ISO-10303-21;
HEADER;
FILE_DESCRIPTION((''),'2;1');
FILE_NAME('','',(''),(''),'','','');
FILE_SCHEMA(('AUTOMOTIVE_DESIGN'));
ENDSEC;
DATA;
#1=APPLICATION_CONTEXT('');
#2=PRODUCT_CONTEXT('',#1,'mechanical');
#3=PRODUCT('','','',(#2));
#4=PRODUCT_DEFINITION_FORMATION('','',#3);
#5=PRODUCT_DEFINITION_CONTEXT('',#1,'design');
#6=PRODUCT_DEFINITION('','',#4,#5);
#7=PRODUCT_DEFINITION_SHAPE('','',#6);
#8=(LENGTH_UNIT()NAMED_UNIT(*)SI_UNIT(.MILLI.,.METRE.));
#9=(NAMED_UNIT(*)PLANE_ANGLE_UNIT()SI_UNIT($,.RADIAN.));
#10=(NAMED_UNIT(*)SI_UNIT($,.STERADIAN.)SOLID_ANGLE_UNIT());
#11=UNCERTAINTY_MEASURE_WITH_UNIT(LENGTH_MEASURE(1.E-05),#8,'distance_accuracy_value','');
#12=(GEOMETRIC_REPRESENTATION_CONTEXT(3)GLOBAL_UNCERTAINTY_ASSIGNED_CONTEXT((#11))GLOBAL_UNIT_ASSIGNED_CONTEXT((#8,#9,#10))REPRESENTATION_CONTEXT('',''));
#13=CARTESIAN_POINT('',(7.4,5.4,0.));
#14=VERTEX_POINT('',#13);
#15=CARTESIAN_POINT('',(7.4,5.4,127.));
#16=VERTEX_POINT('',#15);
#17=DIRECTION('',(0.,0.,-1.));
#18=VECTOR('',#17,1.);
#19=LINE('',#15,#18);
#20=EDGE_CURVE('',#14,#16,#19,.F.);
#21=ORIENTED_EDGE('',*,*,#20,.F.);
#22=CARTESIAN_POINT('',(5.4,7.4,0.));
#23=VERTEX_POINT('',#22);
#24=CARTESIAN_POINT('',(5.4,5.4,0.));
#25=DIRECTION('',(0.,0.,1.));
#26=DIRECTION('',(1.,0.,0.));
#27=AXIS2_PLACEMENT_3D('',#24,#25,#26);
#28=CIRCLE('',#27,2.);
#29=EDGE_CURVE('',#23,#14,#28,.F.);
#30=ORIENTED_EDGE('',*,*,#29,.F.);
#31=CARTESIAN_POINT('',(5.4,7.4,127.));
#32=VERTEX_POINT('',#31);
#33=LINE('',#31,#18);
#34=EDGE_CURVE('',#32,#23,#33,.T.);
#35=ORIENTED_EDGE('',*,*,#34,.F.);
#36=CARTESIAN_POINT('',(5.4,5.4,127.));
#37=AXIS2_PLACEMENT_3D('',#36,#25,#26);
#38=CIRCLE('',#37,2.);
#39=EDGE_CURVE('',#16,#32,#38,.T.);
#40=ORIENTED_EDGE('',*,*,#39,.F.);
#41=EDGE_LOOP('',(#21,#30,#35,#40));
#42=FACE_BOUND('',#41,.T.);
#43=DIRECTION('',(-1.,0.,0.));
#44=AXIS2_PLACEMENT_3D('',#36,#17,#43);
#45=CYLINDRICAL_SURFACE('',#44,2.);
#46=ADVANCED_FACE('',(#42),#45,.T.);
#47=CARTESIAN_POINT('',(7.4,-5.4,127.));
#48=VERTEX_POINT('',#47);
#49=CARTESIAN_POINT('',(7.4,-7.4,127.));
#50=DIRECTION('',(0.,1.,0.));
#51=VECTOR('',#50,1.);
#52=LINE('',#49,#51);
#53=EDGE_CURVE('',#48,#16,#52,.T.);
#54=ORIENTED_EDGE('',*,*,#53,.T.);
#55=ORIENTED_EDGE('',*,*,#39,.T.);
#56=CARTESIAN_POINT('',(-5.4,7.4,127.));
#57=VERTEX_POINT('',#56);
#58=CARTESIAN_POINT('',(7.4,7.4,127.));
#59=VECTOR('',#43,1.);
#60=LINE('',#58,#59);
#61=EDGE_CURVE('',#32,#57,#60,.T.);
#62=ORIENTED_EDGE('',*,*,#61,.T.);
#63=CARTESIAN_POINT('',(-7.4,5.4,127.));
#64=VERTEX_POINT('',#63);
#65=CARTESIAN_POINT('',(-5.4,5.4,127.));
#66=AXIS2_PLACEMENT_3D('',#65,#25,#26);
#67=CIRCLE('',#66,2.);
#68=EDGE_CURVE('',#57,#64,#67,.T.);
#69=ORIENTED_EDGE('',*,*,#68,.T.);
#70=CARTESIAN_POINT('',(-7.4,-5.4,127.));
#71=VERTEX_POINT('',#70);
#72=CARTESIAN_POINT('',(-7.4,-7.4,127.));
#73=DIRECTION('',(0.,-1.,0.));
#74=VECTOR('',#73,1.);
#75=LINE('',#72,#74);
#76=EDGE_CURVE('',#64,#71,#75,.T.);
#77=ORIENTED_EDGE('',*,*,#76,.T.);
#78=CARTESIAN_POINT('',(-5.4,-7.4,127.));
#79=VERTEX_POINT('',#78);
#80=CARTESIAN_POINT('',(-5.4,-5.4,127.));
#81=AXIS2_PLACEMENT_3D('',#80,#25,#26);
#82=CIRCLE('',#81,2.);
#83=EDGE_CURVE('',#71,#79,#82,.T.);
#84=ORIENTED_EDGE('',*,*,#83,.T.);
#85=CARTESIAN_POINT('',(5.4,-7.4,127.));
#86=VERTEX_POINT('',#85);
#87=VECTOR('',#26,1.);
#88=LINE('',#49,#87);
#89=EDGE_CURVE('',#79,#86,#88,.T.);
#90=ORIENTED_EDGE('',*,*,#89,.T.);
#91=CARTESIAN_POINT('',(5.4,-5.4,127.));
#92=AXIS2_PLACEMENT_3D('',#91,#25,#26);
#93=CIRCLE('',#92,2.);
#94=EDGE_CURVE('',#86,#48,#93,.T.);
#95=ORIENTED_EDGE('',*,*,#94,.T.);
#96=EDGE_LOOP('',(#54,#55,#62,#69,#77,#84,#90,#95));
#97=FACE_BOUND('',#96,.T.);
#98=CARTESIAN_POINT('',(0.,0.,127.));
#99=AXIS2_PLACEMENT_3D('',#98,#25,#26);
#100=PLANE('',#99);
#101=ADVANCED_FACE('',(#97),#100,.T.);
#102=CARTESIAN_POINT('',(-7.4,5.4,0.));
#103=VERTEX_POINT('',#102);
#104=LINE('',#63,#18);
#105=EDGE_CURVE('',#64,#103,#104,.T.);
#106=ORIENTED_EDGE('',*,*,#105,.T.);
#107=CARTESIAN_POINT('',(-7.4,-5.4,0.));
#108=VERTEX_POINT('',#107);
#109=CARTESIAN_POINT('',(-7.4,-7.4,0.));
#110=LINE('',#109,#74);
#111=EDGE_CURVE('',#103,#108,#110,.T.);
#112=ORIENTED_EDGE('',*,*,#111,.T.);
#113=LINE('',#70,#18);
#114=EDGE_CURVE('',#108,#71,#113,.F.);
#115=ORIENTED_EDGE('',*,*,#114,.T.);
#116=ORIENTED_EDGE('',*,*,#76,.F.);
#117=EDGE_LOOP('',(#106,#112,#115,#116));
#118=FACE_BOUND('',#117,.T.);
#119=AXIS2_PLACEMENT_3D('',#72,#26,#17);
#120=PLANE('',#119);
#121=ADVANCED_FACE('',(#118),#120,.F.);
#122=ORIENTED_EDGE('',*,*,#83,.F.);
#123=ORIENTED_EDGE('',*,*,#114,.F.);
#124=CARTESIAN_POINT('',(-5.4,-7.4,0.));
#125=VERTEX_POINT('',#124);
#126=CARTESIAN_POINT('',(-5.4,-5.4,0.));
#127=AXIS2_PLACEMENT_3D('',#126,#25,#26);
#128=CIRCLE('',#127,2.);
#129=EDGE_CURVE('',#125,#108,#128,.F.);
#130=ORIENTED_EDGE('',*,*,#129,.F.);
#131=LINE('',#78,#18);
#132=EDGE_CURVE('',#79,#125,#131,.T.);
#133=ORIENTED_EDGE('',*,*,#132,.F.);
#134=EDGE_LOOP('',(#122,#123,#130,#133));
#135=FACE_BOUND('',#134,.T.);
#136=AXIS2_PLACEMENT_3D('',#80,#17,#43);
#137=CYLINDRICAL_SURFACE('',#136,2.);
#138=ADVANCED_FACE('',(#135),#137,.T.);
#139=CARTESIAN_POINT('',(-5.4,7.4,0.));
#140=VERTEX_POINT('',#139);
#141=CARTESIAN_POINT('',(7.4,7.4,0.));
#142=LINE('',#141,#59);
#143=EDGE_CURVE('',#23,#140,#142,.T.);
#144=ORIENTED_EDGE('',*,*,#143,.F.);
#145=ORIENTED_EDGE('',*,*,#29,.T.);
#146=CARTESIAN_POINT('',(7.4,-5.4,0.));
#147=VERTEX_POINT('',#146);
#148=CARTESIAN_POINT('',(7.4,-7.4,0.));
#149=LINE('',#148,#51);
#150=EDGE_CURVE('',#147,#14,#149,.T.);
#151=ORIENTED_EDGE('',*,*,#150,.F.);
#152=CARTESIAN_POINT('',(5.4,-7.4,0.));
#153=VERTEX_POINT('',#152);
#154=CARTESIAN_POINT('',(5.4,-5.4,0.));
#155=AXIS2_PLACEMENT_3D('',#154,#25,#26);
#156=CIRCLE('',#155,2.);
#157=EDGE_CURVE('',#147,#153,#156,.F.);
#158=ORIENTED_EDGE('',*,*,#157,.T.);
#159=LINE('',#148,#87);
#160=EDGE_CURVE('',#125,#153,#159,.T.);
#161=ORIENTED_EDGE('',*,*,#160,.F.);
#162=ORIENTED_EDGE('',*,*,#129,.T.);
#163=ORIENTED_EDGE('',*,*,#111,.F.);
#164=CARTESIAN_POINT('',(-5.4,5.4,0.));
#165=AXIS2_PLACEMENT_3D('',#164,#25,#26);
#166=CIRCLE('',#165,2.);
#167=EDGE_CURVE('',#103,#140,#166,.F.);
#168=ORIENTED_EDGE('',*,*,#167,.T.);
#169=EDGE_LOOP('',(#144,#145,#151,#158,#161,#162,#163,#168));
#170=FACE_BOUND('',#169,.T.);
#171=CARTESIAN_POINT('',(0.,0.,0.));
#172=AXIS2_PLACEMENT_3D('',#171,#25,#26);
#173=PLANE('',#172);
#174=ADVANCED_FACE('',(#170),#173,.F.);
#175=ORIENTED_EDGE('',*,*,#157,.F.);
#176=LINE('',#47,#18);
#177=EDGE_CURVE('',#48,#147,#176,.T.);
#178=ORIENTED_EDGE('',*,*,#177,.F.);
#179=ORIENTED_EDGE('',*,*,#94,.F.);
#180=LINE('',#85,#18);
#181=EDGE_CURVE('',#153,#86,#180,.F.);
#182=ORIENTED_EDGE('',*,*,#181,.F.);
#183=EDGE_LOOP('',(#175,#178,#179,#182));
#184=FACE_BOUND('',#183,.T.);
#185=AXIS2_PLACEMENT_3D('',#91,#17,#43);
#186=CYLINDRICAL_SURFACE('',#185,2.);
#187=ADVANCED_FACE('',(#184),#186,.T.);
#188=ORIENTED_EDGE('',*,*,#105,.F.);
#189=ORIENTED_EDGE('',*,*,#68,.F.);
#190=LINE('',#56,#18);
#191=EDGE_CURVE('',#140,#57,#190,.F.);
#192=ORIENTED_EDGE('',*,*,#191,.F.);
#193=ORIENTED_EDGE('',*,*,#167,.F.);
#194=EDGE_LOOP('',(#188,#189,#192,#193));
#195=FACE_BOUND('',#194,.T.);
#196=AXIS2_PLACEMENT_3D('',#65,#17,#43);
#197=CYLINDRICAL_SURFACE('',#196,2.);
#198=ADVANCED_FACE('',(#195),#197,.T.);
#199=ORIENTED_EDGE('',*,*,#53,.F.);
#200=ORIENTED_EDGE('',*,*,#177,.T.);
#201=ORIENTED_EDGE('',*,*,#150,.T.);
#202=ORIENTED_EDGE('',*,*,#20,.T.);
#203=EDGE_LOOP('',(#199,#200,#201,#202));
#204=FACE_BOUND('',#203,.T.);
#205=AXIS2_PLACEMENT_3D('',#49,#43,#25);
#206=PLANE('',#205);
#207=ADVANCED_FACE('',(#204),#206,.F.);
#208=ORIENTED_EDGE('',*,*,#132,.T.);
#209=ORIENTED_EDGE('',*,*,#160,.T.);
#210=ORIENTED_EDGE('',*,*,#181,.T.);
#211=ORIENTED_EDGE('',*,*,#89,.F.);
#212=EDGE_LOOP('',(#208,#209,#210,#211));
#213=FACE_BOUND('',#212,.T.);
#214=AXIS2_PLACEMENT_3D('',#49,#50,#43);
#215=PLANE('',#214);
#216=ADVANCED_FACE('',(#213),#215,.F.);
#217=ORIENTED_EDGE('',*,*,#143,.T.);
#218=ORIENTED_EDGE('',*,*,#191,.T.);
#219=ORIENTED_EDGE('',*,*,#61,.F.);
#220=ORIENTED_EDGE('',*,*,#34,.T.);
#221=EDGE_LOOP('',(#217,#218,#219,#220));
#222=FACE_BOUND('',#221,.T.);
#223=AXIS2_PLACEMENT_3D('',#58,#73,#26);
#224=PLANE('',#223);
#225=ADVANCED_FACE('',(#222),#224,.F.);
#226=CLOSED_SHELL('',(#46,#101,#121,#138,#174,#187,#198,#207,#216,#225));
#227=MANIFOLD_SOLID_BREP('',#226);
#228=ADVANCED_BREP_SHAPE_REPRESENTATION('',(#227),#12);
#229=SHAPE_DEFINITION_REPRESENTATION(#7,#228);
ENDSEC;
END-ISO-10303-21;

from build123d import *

# Parameters (mm, degrees)
SKETCH1_W           = 14.8
SKETCH1_H           = 14.8
BOSS_EXTRUDE1_DEPTH = 127
FILLET1_R           = 2


with BuildPart() as part:
    # Sketch1 → Boss-Extrude1 (new body)
    with BuildSketch(Plane.XY):
        Rectangle(SKETCH1_W, SKETCH1_H)
    extrude(amount=BOSS_EXTRUDE1_DEPTH)

    # Fillet1
    fillet1_edges = [part.edges().sort_by_distance(p)[0] for p in [
        (-7.4, 7.4, 63.5),
        (7.4, 7.4, 63.5),
        (7.4, -7.4, 63.5),
        (-7.4, -7.4, 63.5),
    ]]
    fillet(fillet1_edges, radius=FILLET1_R)


solid = part.part
